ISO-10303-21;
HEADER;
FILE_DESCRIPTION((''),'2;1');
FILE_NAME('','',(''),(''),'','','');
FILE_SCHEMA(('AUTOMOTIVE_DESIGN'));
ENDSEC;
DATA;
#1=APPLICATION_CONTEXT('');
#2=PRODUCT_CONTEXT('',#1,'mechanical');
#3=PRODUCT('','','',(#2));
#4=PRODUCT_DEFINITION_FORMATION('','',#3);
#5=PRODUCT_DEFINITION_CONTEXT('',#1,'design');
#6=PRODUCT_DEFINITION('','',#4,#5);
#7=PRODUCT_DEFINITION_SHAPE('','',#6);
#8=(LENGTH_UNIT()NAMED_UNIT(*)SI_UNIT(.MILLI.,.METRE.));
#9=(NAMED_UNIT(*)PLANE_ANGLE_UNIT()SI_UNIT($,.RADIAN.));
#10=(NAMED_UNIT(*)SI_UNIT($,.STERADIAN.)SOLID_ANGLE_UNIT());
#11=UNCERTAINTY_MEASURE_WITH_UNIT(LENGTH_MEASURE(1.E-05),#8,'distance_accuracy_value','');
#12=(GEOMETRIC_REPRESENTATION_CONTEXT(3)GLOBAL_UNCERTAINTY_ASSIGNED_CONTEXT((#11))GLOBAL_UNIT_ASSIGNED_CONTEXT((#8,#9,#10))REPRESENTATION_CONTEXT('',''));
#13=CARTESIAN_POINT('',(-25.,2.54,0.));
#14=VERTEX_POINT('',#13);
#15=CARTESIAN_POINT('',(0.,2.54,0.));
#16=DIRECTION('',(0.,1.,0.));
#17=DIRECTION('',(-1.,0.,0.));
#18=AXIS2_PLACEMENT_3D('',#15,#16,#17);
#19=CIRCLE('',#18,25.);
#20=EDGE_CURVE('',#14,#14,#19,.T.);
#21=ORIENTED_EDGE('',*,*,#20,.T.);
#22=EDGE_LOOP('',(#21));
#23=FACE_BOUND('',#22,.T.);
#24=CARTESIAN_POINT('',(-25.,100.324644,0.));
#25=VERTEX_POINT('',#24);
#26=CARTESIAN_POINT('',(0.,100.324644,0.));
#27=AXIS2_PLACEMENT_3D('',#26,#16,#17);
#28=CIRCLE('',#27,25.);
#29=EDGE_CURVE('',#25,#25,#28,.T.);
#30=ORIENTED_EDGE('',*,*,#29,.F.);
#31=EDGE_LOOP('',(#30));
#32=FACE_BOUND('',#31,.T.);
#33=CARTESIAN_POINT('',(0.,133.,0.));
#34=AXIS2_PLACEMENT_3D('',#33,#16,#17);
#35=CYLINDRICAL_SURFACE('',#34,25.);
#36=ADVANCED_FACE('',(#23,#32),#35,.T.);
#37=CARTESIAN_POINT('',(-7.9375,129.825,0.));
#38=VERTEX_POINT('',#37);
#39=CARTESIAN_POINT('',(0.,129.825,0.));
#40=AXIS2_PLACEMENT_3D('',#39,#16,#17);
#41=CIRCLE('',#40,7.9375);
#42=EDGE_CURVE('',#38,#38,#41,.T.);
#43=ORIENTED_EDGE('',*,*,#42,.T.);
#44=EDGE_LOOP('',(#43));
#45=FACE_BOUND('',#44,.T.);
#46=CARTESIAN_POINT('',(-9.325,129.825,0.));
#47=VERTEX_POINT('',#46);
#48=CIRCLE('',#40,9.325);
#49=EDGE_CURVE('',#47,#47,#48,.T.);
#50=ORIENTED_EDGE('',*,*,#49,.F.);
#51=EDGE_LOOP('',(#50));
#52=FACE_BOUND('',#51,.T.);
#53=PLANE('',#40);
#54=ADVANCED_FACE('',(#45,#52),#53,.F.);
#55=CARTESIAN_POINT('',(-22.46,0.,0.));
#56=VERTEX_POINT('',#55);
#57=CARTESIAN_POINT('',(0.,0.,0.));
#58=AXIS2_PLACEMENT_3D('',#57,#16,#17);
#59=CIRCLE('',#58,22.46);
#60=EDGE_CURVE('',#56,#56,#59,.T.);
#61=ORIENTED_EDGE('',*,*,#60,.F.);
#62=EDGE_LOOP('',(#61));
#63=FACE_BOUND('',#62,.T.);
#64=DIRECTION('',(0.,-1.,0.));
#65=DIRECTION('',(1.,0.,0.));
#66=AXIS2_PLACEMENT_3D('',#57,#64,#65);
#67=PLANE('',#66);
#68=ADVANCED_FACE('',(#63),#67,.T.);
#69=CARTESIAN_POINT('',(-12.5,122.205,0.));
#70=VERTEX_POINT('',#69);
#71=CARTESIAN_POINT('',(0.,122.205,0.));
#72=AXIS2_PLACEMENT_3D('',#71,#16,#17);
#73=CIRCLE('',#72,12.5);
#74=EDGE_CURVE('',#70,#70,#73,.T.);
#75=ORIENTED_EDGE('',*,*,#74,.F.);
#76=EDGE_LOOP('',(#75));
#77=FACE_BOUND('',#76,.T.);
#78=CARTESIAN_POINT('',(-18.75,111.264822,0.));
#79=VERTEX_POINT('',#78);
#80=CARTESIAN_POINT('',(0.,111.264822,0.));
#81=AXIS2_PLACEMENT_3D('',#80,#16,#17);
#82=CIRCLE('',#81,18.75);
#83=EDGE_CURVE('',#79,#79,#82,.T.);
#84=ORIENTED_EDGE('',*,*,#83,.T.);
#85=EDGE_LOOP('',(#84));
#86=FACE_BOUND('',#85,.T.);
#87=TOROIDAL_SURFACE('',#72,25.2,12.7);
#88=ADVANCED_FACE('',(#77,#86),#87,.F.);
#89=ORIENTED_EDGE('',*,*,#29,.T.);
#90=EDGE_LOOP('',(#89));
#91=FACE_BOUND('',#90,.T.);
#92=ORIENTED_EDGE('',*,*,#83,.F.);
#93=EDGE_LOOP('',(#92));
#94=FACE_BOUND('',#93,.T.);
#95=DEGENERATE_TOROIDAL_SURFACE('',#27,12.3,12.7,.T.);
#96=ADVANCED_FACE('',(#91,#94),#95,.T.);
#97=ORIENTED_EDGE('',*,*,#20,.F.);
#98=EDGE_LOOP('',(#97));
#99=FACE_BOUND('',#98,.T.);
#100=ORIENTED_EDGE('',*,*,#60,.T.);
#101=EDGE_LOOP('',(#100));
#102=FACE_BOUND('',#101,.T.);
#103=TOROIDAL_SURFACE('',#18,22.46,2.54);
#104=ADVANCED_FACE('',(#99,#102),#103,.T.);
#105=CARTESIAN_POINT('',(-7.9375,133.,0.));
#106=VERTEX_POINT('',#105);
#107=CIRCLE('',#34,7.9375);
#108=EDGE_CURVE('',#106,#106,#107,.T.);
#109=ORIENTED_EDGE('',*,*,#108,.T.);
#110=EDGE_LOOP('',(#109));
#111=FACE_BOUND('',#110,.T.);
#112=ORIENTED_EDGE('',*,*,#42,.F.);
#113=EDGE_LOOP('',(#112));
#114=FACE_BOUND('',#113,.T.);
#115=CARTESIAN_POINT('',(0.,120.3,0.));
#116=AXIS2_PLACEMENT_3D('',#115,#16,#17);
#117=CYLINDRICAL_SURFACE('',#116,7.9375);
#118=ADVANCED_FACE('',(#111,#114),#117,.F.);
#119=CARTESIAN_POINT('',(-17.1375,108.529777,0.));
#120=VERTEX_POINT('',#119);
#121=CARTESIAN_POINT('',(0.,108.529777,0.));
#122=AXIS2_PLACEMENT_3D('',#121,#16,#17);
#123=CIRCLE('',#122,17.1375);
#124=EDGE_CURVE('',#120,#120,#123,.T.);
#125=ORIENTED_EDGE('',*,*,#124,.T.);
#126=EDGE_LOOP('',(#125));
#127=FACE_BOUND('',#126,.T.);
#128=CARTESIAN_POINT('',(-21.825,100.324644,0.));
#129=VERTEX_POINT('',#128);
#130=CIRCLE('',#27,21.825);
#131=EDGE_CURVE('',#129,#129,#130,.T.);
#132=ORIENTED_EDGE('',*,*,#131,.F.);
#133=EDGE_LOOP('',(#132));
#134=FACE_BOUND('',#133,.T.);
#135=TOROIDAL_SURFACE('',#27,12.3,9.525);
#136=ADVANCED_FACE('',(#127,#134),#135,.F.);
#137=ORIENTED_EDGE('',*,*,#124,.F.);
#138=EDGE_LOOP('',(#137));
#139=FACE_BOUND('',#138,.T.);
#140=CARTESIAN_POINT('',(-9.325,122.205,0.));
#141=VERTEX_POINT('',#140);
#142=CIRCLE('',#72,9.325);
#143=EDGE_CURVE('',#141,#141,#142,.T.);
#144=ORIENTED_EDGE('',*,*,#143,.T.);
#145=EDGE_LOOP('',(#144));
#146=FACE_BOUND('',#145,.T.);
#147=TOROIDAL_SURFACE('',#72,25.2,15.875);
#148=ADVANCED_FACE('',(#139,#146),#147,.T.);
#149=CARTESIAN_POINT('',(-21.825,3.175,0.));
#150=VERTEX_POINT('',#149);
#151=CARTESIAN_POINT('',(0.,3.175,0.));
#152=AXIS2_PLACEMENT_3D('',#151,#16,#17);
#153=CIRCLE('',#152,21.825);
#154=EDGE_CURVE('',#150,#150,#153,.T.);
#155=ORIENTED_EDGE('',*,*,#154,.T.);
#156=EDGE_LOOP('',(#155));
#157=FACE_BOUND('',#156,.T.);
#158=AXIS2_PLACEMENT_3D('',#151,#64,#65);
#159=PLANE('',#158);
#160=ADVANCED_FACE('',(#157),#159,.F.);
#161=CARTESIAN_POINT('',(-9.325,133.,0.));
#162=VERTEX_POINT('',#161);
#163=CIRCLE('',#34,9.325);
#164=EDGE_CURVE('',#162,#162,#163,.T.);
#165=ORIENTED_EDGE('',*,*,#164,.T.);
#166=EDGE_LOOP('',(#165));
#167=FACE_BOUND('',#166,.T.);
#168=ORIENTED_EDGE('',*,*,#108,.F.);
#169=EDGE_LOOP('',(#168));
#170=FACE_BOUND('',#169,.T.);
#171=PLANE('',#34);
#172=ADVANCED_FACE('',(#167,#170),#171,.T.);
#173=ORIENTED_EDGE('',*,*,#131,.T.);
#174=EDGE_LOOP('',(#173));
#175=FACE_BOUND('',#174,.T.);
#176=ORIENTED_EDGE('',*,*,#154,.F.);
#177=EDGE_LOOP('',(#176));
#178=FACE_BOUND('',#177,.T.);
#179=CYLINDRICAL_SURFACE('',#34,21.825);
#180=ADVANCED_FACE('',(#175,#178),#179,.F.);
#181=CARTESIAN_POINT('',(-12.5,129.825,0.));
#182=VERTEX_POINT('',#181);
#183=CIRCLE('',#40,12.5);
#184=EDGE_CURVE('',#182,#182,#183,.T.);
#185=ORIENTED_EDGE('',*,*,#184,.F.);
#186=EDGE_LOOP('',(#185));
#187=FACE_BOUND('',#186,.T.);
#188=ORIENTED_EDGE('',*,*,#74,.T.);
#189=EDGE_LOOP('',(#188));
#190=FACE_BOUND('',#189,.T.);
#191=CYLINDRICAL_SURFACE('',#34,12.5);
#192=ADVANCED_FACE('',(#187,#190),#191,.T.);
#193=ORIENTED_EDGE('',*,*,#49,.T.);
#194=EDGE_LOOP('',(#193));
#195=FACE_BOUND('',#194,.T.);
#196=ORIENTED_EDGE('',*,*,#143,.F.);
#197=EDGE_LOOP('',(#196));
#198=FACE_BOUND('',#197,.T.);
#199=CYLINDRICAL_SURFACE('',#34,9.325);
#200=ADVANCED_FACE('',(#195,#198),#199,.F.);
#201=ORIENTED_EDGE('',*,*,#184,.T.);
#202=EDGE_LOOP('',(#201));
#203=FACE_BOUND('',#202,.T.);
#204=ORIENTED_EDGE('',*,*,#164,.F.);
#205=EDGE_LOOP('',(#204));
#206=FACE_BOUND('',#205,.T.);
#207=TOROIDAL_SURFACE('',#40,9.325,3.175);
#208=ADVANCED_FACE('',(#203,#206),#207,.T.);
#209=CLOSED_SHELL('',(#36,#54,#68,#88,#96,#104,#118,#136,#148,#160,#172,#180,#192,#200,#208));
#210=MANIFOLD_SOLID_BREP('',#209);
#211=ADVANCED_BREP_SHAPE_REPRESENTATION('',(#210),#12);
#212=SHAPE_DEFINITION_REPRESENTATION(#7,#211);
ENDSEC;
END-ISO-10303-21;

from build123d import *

# Parameters (mm, degrees)
SKETCH2_R          = 7.9375
CUT_EXTRUDE1_DEPTH = 12.7


with BuildPart() as part:
    # Sketch1 → Revolve-Thin2 (revolve)
    with BuildSketch(Plane.XY):
        with BuildLine():
            Line((0, 0), (22.46, 0))
            ThreePointArc((22.46, 0), (24.256051224, 0.743948776), (25, 2.54))
            Line((25, 2.54), (25, 100.324643513))
            ThreePointArc((25, 100.324643513), (23.327352357, 106.624445097), (18.75, 111.264821756))
            ThreePointArc((18.75, 111.264821756), (14.172647643, 115.905198416), (12.5, 122.205))
            Line((12.5, 122.205), (12.5, 129.825))
            ThreePointArc((12.5, 129.825), (11.57006403, 132.07006403), (9.325, 133))
            Line((9.325, 133), (0, 133))
            Line((0, 133), (0, 129.825))
            Line((0, 129.825), (9.325, 129.825))
            Line((9.325, 129.825), (9.325, 122.205))
            ThreePointArc((9.325, 122.205), (11.415809554, 114.33024802), (17.1375, 108.529777196))
            ThreePointArc((17.1375, 108.529777196), (20.570514268, 105.049494701), (21.825, 100.324643513))
            Line((21.825, 100.324643513), (21.825, 3.175))
            Line((21.825, 3.175), (0, 3.175))
            Line((0, 3.175), (0, 0))
        make_face()
    revolve(axis=Axis((0, 133, 0), (0, -1, 0)))

    # Sketch2 → Cut-Extrude1 (cut)
    with BuildSketch(Plane(origin=(0, 133, 0), x_dir=(1, 0, 0), z_dir=(0, 1, 0))):
        Circle(SKETCH2_R)
    extrude(amount=-CUT_EXTRUDE1_DEPTH, mode=Mode.SUBTRACT)


solid = part.part
